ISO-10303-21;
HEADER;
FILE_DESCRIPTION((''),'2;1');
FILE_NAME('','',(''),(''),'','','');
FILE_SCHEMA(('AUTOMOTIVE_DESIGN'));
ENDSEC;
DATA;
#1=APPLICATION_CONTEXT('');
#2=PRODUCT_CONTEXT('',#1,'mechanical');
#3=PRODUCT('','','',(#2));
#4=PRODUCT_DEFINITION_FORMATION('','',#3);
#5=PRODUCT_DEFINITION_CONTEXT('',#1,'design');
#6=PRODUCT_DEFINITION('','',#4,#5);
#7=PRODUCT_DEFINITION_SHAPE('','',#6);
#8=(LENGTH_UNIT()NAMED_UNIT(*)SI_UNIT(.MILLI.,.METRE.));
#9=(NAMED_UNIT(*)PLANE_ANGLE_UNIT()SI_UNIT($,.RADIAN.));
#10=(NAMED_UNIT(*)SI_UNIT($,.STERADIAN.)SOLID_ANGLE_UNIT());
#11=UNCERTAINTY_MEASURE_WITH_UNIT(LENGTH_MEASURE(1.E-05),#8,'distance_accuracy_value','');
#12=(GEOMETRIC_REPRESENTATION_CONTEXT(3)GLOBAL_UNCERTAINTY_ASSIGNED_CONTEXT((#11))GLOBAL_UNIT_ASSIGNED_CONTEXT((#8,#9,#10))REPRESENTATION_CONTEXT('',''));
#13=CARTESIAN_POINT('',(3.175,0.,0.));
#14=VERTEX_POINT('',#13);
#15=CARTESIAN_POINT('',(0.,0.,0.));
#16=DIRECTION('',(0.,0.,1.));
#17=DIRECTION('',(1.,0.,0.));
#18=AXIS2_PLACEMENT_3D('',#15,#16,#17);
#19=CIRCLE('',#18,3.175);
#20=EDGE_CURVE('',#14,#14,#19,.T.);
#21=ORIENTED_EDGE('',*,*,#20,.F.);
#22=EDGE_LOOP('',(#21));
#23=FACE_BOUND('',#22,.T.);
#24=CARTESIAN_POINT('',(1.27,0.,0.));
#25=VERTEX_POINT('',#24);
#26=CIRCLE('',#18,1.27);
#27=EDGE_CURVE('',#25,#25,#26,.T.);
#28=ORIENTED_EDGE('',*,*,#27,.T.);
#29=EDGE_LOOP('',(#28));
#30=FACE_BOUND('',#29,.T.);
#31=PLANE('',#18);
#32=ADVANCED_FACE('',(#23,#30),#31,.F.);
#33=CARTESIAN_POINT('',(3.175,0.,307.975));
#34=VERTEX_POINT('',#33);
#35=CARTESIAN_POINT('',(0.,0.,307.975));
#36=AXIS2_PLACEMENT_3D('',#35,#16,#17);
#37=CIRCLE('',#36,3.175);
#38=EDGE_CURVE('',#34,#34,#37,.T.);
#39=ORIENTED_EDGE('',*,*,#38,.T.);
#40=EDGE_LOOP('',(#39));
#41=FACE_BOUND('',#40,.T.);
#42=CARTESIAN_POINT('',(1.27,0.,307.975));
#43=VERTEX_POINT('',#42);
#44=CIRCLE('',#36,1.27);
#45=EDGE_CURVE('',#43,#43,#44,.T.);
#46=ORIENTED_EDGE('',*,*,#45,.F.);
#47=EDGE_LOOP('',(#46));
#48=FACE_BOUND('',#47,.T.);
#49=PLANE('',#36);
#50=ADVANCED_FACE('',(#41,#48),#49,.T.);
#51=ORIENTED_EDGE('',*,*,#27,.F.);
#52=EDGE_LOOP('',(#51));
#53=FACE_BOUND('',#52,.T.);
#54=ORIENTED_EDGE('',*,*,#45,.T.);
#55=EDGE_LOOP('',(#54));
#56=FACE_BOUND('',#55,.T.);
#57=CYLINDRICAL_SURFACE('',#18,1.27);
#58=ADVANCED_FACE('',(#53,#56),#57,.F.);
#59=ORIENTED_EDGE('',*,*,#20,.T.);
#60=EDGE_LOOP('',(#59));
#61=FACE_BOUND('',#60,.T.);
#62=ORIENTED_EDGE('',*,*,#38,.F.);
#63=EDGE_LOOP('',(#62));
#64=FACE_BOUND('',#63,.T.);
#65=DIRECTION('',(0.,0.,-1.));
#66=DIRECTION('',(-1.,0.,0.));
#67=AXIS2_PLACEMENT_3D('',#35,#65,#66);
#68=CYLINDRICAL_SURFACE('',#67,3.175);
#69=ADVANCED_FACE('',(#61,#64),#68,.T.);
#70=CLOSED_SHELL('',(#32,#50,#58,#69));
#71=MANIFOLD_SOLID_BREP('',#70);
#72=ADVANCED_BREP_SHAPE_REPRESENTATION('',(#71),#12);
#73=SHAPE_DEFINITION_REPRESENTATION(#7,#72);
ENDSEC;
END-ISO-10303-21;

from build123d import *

# Parameters (mm, degrees)
SKETCH1_R          = 3.175
EXTRUDE1_DEPTH     = 307.975
SKETCH2_R          = 1.27
CUT_EXTRUDE1_DEPTH = 308.975


with BuildPart() as part:
    # Sketch1 → Extrude1 (new body)
    with BuildSketch(Plane.XY):
        Circle(SKETCH1_R)
    extrude(amount=EXTRUDE1_DEPTH)

    # Sketch2 → Cut-Extrude1 (cut, through all)
    with BuildSketch(Plane.XY.offset(307.975)):
        Circle(SKETCH2_R)
    extrude(amount=-CUT_EXTRUDE1_DEPTH, mode=Mode.SUBTRACT)


solid = part.part
